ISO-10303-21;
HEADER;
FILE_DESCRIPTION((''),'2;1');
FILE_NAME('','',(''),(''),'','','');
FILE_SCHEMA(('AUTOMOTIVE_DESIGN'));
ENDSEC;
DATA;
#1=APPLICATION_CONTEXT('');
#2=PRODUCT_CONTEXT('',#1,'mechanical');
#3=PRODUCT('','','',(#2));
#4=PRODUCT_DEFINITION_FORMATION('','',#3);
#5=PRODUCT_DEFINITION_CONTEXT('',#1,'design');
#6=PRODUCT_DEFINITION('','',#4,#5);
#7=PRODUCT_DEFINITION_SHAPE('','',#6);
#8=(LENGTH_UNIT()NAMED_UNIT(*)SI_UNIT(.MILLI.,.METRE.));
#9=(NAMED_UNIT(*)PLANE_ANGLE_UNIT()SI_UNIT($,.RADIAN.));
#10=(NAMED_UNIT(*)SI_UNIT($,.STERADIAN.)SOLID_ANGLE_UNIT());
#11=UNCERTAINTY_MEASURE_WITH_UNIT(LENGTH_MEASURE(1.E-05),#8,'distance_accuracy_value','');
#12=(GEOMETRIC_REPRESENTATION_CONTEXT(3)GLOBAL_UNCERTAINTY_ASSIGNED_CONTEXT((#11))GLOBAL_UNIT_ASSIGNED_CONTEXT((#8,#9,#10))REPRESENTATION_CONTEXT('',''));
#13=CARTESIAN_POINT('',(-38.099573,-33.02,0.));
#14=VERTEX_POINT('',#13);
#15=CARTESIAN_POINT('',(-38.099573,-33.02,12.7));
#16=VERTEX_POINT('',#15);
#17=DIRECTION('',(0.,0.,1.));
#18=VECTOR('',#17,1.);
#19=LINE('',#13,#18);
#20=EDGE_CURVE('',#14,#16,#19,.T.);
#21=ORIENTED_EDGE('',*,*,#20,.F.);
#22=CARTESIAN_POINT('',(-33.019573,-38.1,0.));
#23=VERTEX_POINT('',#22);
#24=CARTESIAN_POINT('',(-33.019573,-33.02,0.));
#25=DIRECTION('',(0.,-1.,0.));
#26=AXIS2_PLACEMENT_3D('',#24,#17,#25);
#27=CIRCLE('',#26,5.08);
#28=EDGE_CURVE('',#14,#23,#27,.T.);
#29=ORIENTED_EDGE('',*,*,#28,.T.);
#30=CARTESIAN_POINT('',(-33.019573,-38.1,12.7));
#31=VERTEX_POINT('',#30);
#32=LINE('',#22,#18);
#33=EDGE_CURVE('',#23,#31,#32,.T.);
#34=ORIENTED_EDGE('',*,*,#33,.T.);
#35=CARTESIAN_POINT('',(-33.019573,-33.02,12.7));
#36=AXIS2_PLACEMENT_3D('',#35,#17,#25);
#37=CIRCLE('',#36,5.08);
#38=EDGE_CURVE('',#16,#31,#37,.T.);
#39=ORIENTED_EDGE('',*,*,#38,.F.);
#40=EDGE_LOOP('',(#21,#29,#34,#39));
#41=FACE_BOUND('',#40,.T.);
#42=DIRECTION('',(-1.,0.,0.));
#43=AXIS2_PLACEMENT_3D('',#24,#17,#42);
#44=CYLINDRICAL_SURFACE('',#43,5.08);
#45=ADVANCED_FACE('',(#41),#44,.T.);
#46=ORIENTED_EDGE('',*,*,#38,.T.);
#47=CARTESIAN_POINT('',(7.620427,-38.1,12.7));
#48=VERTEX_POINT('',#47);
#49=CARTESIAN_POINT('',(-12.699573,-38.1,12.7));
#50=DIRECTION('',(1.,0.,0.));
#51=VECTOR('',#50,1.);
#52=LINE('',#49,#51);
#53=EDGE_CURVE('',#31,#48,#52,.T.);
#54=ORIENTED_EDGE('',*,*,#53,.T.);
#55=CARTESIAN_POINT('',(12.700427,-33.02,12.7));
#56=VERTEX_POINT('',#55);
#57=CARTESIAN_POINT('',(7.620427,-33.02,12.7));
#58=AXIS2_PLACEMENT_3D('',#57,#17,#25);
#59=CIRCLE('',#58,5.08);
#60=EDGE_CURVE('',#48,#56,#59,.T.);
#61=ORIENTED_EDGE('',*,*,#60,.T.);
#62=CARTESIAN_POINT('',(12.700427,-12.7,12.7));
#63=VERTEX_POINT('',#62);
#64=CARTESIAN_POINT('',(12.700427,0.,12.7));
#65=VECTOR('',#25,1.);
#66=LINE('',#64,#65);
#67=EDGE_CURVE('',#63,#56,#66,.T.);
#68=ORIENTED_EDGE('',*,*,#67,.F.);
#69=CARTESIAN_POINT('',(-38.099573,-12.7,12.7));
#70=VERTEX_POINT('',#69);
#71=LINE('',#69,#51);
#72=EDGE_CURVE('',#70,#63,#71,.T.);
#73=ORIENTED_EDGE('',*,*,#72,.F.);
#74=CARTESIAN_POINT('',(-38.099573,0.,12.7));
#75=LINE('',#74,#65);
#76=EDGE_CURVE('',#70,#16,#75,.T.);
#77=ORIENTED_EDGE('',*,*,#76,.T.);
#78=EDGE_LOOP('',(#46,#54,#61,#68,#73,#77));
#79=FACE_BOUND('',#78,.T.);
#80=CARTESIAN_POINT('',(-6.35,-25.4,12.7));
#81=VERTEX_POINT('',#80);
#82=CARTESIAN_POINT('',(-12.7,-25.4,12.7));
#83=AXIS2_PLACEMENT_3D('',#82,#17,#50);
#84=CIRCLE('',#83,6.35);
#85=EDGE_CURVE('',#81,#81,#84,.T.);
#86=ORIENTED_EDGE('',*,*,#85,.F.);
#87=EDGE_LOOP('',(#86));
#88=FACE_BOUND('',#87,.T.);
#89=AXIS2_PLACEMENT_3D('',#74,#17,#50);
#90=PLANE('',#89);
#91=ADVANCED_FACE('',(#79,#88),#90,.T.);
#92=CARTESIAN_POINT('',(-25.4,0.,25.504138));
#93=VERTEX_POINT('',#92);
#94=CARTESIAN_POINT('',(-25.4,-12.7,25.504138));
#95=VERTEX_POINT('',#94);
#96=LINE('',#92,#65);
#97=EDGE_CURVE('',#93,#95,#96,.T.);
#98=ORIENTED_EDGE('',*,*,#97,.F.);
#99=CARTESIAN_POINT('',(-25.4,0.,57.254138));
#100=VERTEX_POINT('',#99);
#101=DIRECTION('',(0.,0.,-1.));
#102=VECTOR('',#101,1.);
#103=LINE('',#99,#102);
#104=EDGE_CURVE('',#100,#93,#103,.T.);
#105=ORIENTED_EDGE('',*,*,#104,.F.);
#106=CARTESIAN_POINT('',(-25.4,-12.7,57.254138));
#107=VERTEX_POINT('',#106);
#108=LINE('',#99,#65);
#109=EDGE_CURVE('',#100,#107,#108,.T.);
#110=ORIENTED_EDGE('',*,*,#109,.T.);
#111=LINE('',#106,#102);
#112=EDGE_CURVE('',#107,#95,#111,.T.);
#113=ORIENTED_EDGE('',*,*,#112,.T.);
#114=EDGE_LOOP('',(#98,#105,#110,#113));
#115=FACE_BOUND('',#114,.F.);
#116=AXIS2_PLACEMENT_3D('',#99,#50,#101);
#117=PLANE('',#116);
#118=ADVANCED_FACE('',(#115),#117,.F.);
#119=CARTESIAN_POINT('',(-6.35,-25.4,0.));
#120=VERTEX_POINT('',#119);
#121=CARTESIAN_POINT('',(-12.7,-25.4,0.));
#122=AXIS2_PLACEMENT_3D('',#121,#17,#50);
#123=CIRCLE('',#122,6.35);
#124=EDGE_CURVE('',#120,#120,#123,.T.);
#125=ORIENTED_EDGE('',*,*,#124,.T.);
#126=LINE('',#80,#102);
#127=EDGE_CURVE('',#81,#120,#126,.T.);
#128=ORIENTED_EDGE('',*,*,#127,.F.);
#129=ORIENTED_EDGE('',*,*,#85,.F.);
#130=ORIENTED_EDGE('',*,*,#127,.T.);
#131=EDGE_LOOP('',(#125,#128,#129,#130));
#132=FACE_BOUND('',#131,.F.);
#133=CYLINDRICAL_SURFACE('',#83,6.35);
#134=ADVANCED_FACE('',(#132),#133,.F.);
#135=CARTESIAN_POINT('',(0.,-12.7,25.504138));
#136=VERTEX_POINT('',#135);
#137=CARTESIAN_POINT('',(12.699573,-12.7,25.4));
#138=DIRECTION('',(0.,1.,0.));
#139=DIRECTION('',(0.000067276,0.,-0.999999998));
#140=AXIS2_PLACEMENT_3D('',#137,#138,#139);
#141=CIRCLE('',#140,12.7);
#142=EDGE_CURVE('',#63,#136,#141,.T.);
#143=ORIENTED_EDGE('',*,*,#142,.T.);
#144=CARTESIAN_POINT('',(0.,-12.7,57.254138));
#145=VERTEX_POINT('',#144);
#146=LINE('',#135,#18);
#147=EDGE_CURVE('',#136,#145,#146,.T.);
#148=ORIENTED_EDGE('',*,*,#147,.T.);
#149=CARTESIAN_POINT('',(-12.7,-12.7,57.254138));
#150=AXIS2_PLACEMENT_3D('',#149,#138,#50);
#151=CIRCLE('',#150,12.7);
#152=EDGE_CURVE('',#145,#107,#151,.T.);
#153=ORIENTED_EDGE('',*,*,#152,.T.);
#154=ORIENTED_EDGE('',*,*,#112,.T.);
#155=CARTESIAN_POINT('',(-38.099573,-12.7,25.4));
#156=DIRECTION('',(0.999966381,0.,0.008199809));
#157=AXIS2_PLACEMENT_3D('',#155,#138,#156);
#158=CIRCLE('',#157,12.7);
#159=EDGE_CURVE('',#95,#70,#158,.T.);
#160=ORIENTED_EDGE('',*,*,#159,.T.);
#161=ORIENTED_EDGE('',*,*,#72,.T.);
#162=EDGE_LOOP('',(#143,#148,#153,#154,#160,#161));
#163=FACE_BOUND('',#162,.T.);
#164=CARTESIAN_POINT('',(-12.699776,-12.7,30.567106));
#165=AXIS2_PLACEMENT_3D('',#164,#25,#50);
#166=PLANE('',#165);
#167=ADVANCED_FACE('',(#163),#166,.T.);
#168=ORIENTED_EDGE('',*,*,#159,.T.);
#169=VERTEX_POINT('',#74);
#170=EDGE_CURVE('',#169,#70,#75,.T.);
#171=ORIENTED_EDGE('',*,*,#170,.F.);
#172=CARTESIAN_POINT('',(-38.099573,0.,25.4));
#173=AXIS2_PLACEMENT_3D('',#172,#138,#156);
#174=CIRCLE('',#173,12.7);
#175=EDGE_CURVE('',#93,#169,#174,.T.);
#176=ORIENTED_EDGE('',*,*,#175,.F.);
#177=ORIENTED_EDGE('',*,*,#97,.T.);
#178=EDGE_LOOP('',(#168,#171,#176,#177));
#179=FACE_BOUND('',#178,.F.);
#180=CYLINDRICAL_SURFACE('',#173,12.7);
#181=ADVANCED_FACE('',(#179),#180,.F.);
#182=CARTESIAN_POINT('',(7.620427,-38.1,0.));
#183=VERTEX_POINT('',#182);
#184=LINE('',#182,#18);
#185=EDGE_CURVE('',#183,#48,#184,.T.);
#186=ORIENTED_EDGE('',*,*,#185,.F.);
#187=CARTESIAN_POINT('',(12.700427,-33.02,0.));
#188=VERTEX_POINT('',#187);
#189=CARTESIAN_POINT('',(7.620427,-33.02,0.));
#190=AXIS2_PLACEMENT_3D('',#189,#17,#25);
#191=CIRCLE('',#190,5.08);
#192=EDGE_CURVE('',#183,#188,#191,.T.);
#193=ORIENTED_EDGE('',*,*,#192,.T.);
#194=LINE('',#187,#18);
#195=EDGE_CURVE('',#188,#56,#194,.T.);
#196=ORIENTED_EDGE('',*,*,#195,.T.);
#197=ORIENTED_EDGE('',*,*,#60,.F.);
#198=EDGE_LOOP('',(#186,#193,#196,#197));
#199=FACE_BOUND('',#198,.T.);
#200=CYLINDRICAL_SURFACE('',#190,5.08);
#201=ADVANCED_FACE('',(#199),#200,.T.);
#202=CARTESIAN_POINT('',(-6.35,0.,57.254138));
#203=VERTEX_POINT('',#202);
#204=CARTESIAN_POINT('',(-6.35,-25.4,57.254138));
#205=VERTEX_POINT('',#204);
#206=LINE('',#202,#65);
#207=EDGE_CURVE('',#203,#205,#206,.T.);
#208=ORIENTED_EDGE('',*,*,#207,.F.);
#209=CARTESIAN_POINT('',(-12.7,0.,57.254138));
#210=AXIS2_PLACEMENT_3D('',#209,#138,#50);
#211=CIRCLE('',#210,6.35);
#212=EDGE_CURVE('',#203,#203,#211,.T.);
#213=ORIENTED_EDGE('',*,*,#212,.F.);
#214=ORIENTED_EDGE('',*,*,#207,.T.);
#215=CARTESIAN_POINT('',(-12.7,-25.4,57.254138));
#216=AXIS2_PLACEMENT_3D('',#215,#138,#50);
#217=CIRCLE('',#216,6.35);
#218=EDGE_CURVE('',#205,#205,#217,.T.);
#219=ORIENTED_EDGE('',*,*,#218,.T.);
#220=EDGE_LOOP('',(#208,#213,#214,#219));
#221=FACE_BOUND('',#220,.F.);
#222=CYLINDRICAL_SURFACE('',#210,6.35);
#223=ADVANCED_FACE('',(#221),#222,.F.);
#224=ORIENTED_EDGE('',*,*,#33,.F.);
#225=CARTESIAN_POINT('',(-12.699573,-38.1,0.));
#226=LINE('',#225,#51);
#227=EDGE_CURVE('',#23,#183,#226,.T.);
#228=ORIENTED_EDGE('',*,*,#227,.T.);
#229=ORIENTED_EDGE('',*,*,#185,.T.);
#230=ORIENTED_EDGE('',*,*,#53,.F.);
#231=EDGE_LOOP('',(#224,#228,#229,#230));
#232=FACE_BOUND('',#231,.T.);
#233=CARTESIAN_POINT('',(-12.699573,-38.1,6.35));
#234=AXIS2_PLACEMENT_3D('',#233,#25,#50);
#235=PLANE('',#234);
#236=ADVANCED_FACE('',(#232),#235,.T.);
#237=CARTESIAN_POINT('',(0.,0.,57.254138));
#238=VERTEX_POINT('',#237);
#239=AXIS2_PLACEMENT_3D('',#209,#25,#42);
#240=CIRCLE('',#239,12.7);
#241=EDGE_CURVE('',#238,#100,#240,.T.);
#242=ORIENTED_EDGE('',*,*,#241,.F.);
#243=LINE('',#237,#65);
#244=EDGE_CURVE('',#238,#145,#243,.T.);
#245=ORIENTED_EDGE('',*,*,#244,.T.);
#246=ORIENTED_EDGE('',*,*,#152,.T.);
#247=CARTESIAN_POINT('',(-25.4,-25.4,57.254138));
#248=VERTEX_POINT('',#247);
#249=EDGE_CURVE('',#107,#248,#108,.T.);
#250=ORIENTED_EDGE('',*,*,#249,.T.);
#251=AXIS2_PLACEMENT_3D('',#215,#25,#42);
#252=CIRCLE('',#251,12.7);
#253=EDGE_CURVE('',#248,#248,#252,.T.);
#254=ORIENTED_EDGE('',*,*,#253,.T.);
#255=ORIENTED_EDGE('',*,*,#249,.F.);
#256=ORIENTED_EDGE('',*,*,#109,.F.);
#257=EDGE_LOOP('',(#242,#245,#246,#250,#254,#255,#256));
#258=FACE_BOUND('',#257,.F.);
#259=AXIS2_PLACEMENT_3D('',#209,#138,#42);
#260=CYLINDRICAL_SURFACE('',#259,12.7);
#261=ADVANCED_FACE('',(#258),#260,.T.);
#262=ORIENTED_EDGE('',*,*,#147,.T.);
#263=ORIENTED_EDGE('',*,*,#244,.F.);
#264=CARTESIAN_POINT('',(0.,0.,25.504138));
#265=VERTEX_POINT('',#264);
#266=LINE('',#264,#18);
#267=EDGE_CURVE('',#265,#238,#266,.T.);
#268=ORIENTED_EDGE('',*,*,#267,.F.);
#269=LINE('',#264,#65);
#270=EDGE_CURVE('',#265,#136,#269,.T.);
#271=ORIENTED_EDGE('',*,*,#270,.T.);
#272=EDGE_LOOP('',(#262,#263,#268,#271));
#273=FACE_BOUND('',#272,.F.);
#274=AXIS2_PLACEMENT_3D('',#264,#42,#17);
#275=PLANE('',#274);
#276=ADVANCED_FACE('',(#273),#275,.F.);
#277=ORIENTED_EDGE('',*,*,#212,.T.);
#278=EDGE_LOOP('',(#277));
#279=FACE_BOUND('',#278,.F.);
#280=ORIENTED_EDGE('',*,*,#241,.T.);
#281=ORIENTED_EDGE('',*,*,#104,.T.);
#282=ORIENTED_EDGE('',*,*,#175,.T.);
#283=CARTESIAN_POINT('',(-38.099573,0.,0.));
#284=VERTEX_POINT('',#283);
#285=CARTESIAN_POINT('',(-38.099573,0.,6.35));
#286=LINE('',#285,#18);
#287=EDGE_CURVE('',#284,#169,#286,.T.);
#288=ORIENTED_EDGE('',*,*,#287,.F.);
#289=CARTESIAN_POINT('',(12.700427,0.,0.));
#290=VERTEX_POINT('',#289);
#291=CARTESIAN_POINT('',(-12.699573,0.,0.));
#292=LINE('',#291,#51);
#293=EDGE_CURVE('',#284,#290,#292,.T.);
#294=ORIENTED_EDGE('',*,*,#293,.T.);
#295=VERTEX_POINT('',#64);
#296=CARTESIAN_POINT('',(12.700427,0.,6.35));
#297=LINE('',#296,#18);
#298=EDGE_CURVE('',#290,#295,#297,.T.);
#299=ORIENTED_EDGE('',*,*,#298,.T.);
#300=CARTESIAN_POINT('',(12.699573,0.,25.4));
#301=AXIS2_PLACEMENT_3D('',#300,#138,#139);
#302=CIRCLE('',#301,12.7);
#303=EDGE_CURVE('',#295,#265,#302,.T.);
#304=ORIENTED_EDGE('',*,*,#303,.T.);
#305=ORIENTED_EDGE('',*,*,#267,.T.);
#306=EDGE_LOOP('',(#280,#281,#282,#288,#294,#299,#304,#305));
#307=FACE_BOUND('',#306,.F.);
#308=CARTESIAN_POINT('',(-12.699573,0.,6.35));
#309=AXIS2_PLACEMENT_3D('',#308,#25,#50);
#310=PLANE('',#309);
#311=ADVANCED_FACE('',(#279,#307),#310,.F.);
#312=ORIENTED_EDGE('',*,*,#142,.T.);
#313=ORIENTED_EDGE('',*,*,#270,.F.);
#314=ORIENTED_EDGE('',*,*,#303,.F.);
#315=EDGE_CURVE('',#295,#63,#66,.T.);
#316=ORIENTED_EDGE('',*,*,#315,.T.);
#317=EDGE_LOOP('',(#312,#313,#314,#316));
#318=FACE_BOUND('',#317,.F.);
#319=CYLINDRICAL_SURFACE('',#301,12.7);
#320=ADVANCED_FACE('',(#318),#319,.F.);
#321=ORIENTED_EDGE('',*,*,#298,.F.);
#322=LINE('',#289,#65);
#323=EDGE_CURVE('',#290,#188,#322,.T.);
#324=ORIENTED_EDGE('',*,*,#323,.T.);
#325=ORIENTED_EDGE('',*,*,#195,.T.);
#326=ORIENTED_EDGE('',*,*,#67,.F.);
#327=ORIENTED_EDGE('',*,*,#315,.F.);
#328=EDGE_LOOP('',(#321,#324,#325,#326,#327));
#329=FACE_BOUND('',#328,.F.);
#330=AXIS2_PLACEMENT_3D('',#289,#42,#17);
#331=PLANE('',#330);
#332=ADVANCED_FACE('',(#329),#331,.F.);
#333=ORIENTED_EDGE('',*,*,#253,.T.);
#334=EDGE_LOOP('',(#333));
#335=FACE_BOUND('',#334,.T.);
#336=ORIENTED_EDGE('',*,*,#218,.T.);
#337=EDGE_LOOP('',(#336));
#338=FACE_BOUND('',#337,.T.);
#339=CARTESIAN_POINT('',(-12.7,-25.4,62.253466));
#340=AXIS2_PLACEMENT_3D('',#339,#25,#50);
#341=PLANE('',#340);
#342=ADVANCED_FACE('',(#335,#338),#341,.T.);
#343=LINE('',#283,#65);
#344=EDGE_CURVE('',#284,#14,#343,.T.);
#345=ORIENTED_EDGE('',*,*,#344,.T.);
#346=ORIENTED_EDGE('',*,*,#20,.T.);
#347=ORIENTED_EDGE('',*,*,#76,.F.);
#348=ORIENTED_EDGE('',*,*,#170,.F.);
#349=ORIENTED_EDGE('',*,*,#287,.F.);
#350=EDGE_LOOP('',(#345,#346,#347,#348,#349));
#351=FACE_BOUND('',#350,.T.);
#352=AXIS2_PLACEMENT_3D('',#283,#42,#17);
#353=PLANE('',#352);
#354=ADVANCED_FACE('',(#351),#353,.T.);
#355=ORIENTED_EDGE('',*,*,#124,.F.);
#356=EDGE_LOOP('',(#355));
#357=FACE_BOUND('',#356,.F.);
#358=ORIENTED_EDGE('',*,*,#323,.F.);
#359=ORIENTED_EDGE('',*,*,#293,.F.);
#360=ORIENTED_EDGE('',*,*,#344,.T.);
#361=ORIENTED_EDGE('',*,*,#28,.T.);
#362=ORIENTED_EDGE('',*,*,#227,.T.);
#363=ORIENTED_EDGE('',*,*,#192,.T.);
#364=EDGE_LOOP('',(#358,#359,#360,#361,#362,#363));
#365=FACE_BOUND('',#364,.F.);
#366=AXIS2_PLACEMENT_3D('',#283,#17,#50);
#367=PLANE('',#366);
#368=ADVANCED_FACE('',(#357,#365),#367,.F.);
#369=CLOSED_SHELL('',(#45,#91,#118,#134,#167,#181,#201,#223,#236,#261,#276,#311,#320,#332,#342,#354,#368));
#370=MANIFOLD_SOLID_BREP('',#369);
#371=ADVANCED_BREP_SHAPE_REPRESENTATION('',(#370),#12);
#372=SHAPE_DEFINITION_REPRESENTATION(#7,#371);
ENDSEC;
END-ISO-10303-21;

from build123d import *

# Parameters (mm, degrees)
F1_DEPTH = 25.4
F2_DEPTH = 12.7
F0_W     = 50.8
F0_H     = 12.7
F3_DEPTH = 38.1
F4_R     = 6.35
F5_DEPTH = 12.701
F6_R     = 5.08


with BuildPart() as f1:
    # F0 (on Front) → F1 (new body)
    with BuildSketch(Plane.XZ):
        with BuildLine():
            ThreePointArc((0, 57.254138), (-12.7, 69.954138), (-25.4, 57.254138))
            Line((-25.4, 57.254138), (-19.05, 57.254138))
            ThreePointArc((-19.05, 57.254138), (-12.7, 63.604138), (-6.35, 57.254138))
            Line((-6.35, 57.254138), (0, 57.254138))
        make_face()
        with BuildLine():
            Line((-19.05, 57.254138), (-25.4, 57.254138))
            ThreePointArc((-25.4, 57.254138), (-12.7, 44.554138), (0, 57.254138))
            Line((0, 57.254138), (-6.35, 57.254138))
            ThreePointArc((-6.35, 57.254138), (-12.7, 50.904138), (-19.05, 57.254138))
        make_face()
    extrude(amount=F1_DEPTH)

    # F0 (on Front) → F2 (join)
    with BuildSketch(Plane.XZ):
        with BuildLine():
            ThreePointArc((-25.4, 25.504138), (-29.082574, 16.456638), (-38.099573, 12.7))
            Line((-38.099573, 12.7), (12.700427, 12.7))
            ThreePointArc((12.700427, 12.7), (3.682874, 16.456335), (0, 25.504138))
            Line((0, 25.504138), (0, 57.254138))
            ThreePointArc((0, 57.254138), (-12.7, 44.554138), (-25.4, 57.254138))
            Line((-25.4, 57.254138), (-25.4, 25.504138))
        make_face()
    extrude(amount=F2_DEPTH)

    # F0 (on Front) → F3 (join)
    with BuildSketch(Plane.XZ):
        with Locations((-12.699573, 6.35)):
            Rectangle(F0_W, F0_H)
    extrude(amount=F3_DEPTH)

    # F4 (on face) → F5 (cut, through all)
    with BuildSketch(Plane.XY.offset(12.7)):
        with Locations((-12.7, -25.4)):
            Circle(F4_R)
    extrude(amount=-F5_DEPTH, mode=Mode.SUBTRACT)

    # F6
    f6_edges = [f1.edges().sort_by_distance(p)[0] for p in [
        (12.700427, -38.1, 6.35),
        (-38.099573, -38.1, 6.35),
    ]]
    fillet(f6_edges, radius=F6_R)


solid = f1.part
